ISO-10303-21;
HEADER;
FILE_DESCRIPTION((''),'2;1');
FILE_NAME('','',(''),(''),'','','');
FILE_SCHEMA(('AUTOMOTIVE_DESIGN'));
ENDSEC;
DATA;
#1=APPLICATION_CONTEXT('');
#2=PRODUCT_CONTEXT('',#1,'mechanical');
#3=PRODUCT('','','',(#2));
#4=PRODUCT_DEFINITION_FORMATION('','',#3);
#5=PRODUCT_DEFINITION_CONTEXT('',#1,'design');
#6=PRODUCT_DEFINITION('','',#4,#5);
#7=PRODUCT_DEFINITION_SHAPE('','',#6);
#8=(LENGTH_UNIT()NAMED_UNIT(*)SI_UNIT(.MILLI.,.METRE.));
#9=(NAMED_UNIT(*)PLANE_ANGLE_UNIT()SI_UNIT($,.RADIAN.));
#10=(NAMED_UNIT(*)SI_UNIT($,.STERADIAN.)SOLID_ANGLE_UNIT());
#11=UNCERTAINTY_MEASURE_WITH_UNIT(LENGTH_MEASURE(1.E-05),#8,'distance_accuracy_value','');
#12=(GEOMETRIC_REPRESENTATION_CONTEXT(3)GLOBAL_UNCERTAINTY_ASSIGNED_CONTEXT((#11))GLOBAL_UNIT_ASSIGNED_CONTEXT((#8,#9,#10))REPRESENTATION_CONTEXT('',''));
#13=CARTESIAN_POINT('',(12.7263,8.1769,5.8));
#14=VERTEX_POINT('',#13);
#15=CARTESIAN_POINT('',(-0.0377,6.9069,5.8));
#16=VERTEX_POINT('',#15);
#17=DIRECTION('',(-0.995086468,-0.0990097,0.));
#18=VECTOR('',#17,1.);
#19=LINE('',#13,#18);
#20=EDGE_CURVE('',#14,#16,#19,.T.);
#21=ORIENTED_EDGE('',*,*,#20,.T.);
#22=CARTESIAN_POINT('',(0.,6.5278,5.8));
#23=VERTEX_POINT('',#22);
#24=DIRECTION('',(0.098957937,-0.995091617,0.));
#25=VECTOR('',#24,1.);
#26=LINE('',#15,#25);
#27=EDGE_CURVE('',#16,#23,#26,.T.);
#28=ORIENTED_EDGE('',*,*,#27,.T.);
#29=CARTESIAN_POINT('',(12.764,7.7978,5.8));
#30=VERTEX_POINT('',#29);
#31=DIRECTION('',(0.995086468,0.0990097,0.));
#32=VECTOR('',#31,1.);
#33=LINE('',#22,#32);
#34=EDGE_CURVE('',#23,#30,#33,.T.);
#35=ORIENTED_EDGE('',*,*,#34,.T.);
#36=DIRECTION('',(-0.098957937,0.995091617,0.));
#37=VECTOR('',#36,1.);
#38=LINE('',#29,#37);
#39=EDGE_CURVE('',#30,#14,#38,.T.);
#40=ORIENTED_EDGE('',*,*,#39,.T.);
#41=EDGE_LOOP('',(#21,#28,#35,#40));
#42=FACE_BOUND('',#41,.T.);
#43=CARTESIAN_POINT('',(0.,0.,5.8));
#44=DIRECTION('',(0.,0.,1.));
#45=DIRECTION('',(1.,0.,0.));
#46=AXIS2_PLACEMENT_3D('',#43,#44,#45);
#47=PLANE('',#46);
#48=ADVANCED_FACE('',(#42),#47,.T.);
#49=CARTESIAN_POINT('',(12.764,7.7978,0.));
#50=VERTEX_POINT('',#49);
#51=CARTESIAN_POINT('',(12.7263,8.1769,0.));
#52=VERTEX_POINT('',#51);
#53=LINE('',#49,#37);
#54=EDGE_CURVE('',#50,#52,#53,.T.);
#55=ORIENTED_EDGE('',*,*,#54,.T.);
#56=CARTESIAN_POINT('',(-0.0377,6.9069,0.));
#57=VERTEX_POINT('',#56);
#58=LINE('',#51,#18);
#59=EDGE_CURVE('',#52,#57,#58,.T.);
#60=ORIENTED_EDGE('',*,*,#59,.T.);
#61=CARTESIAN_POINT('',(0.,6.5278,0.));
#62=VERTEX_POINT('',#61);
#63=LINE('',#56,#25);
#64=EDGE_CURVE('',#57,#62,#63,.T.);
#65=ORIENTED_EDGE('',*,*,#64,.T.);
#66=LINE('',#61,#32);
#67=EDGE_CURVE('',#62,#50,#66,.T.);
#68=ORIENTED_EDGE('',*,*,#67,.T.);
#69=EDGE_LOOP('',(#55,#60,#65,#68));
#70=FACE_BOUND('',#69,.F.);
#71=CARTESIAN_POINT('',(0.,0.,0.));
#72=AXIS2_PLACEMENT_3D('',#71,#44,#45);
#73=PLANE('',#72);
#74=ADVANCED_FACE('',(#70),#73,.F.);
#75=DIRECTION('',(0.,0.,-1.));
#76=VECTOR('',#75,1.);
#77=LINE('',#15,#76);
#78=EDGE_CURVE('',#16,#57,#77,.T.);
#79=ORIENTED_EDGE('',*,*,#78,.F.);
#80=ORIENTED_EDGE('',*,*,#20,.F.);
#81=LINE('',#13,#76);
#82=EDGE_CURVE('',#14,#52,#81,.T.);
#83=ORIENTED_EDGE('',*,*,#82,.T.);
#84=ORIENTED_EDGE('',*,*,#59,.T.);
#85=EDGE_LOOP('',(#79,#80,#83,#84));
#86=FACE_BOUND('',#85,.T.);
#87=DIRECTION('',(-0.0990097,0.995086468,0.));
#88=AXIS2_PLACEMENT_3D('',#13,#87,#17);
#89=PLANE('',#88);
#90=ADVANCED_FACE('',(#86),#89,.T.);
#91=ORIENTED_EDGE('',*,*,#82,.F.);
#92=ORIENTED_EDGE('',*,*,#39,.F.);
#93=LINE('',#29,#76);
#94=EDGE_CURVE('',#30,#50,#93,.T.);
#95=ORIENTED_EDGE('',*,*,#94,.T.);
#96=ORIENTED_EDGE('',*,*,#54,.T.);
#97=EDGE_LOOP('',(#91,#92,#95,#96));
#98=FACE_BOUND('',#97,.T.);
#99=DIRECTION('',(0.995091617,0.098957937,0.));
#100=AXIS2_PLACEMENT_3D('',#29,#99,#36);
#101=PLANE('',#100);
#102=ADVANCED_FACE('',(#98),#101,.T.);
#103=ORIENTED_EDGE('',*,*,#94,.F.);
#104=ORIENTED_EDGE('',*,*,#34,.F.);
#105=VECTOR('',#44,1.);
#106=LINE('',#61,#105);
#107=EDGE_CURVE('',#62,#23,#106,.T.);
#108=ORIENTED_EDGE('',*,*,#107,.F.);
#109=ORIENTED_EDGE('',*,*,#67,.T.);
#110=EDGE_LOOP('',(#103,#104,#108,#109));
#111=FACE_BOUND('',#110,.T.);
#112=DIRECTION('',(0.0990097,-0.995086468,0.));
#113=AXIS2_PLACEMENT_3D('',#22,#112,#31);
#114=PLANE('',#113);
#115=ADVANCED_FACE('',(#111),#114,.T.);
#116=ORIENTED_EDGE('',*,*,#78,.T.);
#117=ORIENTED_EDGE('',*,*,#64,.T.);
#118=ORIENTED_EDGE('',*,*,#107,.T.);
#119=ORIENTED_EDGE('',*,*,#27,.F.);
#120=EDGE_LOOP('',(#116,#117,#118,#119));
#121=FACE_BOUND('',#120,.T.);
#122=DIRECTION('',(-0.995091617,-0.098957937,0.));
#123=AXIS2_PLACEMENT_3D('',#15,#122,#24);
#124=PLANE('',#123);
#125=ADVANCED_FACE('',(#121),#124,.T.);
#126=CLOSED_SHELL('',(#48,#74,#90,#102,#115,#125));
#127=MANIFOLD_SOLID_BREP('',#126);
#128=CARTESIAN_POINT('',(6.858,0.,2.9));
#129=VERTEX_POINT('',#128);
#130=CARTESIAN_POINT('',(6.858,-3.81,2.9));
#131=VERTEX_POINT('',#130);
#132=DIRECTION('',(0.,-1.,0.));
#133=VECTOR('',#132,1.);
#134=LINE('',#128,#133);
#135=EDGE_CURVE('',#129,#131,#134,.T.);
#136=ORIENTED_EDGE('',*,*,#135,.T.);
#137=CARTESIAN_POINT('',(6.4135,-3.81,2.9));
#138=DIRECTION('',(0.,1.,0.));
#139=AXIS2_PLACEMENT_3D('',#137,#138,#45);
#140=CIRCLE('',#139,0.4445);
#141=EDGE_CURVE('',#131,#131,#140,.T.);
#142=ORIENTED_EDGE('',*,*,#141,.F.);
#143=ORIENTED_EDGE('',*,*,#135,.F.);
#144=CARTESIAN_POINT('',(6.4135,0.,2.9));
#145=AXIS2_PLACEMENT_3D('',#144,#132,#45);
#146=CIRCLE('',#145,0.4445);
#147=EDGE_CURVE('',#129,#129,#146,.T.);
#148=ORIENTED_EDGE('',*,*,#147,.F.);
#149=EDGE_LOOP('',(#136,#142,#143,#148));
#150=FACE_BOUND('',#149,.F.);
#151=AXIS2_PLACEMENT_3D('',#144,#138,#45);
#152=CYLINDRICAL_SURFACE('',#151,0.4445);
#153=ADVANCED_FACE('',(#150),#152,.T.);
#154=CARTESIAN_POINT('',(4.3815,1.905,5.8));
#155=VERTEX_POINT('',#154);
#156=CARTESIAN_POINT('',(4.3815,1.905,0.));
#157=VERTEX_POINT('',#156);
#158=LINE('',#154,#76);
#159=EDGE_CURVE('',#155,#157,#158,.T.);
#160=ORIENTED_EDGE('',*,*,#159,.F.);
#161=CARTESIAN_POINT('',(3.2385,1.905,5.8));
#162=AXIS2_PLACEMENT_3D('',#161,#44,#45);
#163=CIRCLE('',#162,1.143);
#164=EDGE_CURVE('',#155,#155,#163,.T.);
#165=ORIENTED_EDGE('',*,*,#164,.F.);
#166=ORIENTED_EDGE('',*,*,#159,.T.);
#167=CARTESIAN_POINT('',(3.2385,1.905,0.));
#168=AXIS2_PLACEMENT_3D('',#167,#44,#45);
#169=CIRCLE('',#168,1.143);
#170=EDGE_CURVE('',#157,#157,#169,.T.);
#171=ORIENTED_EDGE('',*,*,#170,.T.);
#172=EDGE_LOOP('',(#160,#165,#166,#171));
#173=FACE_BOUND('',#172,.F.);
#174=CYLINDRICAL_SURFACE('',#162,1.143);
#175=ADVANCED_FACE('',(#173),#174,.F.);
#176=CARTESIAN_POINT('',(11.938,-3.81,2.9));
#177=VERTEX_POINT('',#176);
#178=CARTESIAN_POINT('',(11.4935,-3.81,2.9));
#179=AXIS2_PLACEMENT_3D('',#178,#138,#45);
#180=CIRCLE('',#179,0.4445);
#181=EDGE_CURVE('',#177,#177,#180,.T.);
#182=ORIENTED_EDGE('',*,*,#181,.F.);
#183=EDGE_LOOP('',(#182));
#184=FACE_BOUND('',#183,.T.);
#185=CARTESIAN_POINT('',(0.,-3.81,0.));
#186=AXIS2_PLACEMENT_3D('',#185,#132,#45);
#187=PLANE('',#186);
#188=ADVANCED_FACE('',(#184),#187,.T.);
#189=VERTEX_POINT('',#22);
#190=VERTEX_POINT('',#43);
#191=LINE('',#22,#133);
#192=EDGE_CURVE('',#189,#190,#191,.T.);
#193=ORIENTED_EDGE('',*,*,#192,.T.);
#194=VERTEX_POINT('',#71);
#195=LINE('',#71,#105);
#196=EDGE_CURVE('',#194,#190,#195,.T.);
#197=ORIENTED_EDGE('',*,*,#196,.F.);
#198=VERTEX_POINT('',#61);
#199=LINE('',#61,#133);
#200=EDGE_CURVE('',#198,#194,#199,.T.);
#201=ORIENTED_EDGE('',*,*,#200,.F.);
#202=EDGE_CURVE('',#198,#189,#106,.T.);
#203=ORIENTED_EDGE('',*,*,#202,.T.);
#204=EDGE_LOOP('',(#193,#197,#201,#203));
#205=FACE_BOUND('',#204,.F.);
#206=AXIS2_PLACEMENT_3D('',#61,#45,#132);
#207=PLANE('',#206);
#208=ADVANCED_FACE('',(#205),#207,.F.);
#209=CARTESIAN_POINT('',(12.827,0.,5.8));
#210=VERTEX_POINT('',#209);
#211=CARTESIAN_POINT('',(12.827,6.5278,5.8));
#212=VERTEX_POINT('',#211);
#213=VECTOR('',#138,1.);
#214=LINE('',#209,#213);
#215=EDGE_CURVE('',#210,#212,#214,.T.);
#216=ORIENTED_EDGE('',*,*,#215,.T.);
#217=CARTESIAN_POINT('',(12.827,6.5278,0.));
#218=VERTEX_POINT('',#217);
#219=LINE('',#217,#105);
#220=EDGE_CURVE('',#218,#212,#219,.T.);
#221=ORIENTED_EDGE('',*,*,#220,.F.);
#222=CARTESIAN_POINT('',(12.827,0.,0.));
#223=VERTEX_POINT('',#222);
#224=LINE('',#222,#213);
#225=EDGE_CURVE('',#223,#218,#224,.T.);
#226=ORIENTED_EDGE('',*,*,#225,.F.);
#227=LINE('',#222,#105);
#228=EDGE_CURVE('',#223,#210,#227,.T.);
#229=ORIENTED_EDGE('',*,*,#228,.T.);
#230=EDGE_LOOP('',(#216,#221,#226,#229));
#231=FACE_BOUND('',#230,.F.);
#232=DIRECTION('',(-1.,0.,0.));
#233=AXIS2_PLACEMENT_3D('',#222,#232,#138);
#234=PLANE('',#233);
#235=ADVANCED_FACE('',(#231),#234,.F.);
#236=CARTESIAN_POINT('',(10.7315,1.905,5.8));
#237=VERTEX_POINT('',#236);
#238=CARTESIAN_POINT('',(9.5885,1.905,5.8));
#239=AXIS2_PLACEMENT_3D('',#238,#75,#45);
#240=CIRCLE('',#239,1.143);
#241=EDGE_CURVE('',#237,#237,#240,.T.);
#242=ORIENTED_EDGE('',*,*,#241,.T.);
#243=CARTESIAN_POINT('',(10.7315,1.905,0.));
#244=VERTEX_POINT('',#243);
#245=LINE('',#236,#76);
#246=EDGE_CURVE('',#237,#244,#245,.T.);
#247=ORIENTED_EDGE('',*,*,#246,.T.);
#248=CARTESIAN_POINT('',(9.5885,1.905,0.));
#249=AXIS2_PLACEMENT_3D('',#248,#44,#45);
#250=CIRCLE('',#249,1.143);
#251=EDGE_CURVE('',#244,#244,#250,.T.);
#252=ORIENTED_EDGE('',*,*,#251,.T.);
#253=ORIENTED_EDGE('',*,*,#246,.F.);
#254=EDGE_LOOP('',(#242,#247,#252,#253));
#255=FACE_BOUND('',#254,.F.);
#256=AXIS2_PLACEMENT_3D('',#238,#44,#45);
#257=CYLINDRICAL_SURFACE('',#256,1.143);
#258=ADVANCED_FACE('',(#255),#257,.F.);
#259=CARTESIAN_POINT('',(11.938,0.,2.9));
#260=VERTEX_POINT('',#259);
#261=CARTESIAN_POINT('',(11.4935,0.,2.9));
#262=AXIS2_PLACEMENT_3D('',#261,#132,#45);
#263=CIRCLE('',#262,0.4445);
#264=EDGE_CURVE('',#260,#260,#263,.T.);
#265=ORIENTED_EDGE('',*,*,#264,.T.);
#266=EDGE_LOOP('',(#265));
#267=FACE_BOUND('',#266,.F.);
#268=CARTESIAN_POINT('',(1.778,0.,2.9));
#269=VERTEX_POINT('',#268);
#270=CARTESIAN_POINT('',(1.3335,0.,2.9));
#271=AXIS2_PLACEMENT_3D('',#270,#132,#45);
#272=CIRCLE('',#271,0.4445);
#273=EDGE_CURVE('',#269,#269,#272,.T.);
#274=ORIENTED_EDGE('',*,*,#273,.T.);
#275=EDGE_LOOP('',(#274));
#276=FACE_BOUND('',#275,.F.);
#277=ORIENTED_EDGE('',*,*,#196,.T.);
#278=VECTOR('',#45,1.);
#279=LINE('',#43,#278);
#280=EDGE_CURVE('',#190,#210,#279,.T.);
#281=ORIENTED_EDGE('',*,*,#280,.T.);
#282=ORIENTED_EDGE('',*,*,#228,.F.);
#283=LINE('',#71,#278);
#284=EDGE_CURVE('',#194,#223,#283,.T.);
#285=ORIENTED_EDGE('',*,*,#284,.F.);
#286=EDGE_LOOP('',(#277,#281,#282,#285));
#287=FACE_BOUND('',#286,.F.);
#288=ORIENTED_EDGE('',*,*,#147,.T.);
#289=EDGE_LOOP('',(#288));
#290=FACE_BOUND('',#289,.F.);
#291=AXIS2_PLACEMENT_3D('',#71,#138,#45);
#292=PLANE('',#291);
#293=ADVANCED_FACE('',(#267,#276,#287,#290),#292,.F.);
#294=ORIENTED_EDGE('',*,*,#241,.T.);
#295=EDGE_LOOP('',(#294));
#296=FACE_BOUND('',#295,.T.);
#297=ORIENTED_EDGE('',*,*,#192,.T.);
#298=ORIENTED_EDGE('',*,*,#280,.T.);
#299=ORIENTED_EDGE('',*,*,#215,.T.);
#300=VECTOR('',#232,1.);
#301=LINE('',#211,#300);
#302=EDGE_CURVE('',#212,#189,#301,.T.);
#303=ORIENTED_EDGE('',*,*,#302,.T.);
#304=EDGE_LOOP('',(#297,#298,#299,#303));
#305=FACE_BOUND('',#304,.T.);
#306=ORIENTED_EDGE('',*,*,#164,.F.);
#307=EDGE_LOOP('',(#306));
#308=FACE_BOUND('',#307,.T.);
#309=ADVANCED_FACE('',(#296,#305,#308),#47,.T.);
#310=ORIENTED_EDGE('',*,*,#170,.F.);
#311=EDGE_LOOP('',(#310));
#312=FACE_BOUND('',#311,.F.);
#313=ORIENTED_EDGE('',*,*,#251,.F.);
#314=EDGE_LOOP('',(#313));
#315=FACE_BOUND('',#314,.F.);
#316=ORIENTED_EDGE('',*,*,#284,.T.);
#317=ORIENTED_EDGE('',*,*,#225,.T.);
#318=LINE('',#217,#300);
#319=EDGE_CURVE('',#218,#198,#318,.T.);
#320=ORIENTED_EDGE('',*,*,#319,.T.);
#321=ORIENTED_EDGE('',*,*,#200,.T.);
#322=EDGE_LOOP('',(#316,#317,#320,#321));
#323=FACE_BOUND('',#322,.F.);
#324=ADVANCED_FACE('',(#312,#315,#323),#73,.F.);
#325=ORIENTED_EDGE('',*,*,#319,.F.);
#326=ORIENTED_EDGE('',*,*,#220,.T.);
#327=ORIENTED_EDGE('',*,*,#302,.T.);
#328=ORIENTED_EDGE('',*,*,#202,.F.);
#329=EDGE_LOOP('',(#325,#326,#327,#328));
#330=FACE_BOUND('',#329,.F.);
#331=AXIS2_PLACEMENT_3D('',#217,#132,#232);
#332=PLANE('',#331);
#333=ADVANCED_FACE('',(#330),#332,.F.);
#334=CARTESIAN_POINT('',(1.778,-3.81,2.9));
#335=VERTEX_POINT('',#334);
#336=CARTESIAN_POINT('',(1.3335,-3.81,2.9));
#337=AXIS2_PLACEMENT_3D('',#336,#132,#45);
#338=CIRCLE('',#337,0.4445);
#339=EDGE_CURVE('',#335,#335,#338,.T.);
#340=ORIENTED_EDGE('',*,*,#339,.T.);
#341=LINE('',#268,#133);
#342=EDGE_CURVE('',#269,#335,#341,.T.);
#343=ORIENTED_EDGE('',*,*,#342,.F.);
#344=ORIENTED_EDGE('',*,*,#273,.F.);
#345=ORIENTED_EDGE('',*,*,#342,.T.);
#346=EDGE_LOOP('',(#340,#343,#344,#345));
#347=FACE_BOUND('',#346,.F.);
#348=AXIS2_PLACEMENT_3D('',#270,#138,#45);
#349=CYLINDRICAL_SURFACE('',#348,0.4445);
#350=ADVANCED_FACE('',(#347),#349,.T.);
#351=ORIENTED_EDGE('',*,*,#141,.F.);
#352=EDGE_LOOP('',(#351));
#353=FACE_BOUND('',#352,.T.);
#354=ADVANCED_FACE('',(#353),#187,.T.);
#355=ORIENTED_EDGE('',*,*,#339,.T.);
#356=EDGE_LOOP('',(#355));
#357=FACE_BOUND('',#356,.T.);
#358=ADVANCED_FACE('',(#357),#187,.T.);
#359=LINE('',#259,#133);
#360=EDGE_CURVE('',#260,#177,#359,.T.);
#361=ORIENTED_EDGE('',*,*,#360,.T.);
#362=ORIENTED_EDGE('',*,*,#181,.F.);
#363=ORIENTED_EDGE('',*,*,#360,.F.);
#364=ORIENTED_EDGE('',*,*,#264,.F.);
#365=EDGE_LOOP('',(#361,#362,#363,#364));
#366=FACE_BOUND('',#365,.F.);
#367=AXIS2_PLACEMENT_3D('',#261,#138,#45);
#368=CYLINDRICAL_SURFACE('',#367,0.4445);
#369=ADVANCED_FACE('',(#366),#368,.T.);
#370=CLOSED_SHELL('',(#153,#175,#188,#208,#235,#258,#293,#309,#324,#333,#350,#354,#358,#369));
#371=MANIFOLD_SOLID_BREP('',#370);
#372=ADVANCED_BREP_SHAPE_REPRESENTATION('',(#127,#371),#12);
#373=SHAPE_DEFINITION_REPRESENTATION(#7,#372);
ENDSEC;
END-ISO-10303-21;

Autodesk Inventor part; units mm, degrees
ref_plane "YZ Plane" through (0, 0, 0) normal (1, 0, 0) x (0, 1, 0)
ref_plane "XZ Plane" through (0, 0, 0) normal (0, 1, 0) x (-1, 0, 0)
ref_plane "XY Plane" through (0, 0, 0) normal (0, 0, 1) x (1, 0, 0)
sketch "Sketch1" plane through (0, 0, 0) normal (0, 0, 1) x (1, 0, 0)
  line L0 (0, 0) -> (12.827, 0)
  line L1 (12.827, 0) -> (12.827, 6.5278)
  line L2 (12.827, 6.5278) -> (0, 6.5278)
  line L3 (0, 6.5278) -> (0, 0)
  dimension "d0" = 12.827
  dimension "d2" = 6.5278
extrude "Extrusion1" add sketch "Sketch1" along normal blind 5.8
sketch "Sketch2" plane through (0, 0, 5.8) normal (0, 0, 1) x (1, 0, 0)
  line L0 (12.827, 6.5278) -> (0, 6.5278) projected
  line L1 (0, 6.5278) -> (12.764, 7.7978)
  line L2 (12.764, 7.7978) -> (12.7263, 8.1769)
  line L3 (12.7263, 8.1769) -> (-0.0377, 6.9069)
  line L4 (-0.0377, 6.9069) -> (0, 6.5278)
  dimension "d5" = 0.381
  dimension "d7" = 1.27
extrude "Extrusion2" add sketch "Sketch2" against normal up to surface (5.8 mm away)
sketch "Sketch3" plane through (0, 0, 0) normal (0, -1, 0) x (1, 0, 0)
  line L0 (12.827, 0) -> (12.827, 5.8) projected
  line L1 (0, 5.8) -> (12.827, 5.8) projected
  line L2 (0, 0) -> (0, 5.8) projected
  line L3 (1.3335, 2.9) -> (11.4935, 2.9)
  circle A0 centre (1.3335, 2.9) radius 0.4445
  circle A1 centre (6.4135, 2.9) radius 0.4445
  circle A2 centre (11.4935, 2.9) radius 0.4445
  point P0 (6.4135, 5.8)
  point P1 (12.827, 2.9)
  dimension "d10" = 10.16
  dimension "d12" = 0.889
extrude "Extrusion3" add sketch "Sketch3" along normal blind 3.81
sketch "Sketch4" plane through (0, 0, 5.8) normal (0, 0, 1) x (1, 0, 0)
  line L0 (0, 0) -> (12.827, 0) projected
  line L1 (0, 6.5278) -> (0, 0) projected
  line L2 (3.2385, 1.905) -> (9.5885, 1.905)
  circle A0 centre (3.2385, 1.905) radius 1.143
  circle A1 centre (9.5885, 1.905) radius 1.143
  point P0 (6.4135, 1.905)
  point P1 (6.4135, 0)
  dimension "d15" = 6.35
  dimension "d17" = 1.905
  dimension "d18" = 2.286
extrude "Extrusion4" cut sketch "Sketch4" against normal through all
properties part number "switch"
